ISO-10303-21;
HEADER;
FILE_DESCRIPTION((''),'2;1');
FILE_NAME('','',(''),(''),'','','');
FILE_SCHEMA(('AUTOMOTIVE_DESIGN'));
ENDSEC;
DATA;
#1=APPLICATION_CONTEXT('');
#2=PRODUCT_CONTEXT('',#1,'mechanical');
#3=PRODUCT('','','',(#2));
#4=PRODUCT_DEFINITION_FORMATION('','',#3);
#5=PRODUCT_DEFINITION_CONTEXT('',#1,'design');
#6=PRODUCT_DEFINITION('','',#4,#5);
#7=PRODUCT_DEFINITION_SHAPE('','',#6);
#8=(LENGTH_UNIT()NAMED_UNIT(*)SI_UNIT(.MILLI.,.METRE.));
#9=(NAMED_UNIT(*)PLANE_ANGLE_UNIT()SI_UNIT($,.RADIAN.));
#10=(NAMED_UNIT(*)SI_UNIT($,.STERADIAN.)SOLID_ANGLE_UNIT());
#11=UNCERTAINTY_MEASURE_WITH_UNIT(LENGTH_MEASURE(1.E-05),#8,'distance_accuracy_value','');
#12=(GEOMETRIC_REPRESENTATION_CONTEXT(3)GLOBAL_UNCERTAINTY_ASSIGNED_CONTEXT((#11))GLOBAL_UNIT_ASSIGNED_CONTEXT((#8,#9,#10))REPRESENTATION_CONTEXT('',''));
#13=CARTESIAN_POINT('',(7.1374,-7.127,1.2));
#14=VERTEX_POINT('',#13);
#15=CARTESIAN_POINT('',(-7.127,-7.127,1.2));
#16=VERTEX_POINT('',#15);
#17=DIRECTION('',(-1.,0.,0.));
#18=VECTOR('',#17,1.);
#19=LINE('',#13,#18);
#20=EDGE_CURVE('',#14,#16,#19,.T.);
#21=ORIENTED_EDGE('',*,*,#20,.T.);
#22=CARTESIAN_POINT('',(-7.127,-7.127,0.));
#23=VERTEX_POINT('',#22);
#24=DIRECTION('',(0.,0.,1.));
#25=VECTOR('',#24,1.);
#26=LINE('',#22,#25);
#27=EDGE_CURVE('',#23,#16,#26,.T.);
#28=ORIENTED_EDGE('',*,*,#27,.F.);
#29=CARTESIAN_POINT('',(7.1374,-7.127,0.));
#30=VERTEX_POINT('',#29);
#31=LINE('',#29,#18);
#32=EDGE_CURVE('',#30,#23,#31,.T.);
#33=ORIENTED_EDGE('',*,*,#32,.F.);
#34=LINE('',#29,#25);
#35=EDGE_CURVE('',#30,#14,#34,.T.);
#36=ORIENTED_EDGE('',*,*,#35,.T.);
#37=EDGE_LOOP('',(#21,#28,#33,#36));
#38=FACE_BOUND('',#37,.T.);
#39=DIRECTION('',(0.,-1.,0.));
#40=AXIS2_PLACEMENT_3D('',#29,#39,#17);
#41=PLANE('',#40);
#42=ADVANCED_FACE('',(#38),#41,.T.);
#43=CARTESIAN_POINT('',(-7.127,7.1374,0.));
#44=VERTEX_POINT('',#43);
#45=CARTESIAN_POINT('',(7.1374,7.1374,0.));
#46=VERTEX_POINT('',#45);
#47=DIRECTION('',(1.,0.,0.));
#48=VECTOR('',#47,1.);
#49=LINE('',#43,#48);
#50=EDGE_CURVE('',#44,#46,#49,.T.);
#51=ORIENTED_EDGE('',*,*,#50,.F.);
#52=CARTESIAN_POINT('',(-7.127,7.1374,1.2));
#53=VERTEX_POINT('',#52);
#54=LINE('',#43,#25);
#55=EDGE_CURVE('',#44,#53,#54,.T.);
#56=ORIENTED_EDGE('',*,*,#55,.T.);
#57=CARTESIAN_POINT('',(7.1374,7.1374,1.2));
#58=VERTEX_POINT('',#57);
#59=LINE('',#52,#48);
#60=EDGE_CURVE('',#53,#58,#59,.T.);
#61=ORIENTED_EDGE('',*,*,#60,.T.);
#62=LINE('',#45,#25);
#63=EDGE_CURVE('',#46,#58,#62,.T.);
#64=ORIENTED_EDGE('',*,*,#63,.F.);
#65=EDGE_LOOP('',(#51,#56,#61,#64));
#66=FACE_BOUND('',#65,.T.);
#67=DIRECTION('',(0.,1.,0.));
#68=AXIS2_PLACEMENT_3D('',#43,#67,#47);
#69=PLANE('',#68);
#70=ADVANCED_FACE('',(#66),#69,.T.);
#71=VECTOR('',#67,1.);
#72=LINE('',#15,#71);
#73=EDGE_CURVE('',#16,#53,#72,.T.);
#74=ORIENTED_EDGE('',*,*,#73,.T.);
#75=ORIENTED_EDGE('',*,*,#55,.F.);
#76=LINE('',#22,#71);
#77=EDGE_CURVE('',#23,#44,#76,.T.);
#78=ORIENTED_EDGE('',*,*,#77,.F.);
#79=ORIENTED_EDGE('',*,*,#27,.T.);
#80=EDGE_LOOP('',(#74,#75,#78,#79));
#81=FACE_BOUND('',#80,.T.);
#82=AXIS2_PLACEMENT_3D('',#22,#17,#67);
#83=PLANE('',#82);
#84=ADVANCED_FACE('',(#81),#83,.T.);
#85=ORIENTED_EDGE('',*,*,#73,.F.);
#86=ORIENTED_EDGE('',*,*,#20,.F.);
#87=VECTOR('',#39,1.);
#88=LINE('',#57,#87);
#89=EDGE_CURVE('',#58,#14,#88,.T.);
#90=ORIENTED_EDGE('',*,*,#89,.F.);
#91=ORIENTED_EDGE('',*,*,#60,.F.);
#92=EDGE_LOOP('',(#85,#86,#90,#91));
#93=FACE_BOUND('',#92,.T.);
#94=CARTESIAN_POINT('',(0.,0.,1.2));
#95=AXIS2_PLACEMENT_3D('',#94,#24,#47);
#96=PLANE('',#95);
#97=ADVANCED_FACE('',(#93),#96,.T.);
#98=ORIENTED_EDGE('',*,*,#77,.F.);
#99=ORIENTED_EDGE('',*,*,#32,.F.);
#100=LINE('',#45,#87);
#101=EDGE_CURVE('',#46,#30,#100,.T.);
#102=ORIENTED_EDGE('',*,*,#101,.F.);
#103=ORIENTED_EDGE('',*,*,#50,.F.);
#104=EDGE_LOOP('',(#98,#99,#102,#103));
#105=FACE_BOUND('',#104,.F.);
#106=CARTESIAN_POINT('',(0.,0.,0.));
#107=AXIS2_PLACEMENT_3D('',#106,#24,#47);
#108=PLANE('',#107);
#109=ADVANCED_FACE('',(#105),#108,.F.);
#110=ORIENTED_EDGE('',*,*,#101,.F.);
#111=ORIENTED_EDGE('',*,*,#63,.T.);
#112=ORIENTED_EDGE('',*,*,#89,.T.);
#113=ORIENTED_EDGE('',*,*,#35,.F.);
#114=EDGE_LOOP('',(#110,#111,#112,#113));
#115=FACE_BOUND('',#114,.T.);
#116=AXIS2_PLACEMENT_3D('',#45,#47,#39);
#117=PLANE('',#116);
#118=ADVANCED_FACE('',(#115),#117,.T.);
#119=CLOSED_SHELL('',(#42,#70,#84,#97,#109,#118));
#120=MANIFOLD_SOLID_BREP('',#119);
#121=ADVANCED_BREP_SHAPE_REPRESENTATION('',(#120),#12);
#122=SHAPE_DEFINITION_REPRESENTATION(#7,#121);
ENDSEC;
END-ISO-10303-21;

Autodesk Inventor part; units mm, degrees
ref_plane "YZ Plane" through (0, 0, 0) normal (1, 0, 0) x (0, 1, 0)
ref_plane "XZ Plane" through (0, 0, 0) normal (0, 1, 0) x (-1, 0, 0)
ref_plane "XY Plane" through (0, 0, 0) normal (0, 0, 1) x (1, 0, 0)
sketch "TQFP100_140140_012, Atmega2560_305" plane through (0, 0, 0) normal (0, 0, 1) x (1, 0, 0)
  line L0 (7.1374, 7.1374) -> (7.1374, -7.127)
  line L1 (7.1374, -7.127) -> (-7.127, -7.127)
  line L2 (-7.127, -7.127) -> (-7.127, 7.1374)
  line L3 (-7.127, 7.1374) -> (7.1374, 7.1374)
extrude "Extrusion1" add sketch "TQFP100_140140_012, Atmega2560_305" along normal blind 1.2
properties part number "Atmega2560"
